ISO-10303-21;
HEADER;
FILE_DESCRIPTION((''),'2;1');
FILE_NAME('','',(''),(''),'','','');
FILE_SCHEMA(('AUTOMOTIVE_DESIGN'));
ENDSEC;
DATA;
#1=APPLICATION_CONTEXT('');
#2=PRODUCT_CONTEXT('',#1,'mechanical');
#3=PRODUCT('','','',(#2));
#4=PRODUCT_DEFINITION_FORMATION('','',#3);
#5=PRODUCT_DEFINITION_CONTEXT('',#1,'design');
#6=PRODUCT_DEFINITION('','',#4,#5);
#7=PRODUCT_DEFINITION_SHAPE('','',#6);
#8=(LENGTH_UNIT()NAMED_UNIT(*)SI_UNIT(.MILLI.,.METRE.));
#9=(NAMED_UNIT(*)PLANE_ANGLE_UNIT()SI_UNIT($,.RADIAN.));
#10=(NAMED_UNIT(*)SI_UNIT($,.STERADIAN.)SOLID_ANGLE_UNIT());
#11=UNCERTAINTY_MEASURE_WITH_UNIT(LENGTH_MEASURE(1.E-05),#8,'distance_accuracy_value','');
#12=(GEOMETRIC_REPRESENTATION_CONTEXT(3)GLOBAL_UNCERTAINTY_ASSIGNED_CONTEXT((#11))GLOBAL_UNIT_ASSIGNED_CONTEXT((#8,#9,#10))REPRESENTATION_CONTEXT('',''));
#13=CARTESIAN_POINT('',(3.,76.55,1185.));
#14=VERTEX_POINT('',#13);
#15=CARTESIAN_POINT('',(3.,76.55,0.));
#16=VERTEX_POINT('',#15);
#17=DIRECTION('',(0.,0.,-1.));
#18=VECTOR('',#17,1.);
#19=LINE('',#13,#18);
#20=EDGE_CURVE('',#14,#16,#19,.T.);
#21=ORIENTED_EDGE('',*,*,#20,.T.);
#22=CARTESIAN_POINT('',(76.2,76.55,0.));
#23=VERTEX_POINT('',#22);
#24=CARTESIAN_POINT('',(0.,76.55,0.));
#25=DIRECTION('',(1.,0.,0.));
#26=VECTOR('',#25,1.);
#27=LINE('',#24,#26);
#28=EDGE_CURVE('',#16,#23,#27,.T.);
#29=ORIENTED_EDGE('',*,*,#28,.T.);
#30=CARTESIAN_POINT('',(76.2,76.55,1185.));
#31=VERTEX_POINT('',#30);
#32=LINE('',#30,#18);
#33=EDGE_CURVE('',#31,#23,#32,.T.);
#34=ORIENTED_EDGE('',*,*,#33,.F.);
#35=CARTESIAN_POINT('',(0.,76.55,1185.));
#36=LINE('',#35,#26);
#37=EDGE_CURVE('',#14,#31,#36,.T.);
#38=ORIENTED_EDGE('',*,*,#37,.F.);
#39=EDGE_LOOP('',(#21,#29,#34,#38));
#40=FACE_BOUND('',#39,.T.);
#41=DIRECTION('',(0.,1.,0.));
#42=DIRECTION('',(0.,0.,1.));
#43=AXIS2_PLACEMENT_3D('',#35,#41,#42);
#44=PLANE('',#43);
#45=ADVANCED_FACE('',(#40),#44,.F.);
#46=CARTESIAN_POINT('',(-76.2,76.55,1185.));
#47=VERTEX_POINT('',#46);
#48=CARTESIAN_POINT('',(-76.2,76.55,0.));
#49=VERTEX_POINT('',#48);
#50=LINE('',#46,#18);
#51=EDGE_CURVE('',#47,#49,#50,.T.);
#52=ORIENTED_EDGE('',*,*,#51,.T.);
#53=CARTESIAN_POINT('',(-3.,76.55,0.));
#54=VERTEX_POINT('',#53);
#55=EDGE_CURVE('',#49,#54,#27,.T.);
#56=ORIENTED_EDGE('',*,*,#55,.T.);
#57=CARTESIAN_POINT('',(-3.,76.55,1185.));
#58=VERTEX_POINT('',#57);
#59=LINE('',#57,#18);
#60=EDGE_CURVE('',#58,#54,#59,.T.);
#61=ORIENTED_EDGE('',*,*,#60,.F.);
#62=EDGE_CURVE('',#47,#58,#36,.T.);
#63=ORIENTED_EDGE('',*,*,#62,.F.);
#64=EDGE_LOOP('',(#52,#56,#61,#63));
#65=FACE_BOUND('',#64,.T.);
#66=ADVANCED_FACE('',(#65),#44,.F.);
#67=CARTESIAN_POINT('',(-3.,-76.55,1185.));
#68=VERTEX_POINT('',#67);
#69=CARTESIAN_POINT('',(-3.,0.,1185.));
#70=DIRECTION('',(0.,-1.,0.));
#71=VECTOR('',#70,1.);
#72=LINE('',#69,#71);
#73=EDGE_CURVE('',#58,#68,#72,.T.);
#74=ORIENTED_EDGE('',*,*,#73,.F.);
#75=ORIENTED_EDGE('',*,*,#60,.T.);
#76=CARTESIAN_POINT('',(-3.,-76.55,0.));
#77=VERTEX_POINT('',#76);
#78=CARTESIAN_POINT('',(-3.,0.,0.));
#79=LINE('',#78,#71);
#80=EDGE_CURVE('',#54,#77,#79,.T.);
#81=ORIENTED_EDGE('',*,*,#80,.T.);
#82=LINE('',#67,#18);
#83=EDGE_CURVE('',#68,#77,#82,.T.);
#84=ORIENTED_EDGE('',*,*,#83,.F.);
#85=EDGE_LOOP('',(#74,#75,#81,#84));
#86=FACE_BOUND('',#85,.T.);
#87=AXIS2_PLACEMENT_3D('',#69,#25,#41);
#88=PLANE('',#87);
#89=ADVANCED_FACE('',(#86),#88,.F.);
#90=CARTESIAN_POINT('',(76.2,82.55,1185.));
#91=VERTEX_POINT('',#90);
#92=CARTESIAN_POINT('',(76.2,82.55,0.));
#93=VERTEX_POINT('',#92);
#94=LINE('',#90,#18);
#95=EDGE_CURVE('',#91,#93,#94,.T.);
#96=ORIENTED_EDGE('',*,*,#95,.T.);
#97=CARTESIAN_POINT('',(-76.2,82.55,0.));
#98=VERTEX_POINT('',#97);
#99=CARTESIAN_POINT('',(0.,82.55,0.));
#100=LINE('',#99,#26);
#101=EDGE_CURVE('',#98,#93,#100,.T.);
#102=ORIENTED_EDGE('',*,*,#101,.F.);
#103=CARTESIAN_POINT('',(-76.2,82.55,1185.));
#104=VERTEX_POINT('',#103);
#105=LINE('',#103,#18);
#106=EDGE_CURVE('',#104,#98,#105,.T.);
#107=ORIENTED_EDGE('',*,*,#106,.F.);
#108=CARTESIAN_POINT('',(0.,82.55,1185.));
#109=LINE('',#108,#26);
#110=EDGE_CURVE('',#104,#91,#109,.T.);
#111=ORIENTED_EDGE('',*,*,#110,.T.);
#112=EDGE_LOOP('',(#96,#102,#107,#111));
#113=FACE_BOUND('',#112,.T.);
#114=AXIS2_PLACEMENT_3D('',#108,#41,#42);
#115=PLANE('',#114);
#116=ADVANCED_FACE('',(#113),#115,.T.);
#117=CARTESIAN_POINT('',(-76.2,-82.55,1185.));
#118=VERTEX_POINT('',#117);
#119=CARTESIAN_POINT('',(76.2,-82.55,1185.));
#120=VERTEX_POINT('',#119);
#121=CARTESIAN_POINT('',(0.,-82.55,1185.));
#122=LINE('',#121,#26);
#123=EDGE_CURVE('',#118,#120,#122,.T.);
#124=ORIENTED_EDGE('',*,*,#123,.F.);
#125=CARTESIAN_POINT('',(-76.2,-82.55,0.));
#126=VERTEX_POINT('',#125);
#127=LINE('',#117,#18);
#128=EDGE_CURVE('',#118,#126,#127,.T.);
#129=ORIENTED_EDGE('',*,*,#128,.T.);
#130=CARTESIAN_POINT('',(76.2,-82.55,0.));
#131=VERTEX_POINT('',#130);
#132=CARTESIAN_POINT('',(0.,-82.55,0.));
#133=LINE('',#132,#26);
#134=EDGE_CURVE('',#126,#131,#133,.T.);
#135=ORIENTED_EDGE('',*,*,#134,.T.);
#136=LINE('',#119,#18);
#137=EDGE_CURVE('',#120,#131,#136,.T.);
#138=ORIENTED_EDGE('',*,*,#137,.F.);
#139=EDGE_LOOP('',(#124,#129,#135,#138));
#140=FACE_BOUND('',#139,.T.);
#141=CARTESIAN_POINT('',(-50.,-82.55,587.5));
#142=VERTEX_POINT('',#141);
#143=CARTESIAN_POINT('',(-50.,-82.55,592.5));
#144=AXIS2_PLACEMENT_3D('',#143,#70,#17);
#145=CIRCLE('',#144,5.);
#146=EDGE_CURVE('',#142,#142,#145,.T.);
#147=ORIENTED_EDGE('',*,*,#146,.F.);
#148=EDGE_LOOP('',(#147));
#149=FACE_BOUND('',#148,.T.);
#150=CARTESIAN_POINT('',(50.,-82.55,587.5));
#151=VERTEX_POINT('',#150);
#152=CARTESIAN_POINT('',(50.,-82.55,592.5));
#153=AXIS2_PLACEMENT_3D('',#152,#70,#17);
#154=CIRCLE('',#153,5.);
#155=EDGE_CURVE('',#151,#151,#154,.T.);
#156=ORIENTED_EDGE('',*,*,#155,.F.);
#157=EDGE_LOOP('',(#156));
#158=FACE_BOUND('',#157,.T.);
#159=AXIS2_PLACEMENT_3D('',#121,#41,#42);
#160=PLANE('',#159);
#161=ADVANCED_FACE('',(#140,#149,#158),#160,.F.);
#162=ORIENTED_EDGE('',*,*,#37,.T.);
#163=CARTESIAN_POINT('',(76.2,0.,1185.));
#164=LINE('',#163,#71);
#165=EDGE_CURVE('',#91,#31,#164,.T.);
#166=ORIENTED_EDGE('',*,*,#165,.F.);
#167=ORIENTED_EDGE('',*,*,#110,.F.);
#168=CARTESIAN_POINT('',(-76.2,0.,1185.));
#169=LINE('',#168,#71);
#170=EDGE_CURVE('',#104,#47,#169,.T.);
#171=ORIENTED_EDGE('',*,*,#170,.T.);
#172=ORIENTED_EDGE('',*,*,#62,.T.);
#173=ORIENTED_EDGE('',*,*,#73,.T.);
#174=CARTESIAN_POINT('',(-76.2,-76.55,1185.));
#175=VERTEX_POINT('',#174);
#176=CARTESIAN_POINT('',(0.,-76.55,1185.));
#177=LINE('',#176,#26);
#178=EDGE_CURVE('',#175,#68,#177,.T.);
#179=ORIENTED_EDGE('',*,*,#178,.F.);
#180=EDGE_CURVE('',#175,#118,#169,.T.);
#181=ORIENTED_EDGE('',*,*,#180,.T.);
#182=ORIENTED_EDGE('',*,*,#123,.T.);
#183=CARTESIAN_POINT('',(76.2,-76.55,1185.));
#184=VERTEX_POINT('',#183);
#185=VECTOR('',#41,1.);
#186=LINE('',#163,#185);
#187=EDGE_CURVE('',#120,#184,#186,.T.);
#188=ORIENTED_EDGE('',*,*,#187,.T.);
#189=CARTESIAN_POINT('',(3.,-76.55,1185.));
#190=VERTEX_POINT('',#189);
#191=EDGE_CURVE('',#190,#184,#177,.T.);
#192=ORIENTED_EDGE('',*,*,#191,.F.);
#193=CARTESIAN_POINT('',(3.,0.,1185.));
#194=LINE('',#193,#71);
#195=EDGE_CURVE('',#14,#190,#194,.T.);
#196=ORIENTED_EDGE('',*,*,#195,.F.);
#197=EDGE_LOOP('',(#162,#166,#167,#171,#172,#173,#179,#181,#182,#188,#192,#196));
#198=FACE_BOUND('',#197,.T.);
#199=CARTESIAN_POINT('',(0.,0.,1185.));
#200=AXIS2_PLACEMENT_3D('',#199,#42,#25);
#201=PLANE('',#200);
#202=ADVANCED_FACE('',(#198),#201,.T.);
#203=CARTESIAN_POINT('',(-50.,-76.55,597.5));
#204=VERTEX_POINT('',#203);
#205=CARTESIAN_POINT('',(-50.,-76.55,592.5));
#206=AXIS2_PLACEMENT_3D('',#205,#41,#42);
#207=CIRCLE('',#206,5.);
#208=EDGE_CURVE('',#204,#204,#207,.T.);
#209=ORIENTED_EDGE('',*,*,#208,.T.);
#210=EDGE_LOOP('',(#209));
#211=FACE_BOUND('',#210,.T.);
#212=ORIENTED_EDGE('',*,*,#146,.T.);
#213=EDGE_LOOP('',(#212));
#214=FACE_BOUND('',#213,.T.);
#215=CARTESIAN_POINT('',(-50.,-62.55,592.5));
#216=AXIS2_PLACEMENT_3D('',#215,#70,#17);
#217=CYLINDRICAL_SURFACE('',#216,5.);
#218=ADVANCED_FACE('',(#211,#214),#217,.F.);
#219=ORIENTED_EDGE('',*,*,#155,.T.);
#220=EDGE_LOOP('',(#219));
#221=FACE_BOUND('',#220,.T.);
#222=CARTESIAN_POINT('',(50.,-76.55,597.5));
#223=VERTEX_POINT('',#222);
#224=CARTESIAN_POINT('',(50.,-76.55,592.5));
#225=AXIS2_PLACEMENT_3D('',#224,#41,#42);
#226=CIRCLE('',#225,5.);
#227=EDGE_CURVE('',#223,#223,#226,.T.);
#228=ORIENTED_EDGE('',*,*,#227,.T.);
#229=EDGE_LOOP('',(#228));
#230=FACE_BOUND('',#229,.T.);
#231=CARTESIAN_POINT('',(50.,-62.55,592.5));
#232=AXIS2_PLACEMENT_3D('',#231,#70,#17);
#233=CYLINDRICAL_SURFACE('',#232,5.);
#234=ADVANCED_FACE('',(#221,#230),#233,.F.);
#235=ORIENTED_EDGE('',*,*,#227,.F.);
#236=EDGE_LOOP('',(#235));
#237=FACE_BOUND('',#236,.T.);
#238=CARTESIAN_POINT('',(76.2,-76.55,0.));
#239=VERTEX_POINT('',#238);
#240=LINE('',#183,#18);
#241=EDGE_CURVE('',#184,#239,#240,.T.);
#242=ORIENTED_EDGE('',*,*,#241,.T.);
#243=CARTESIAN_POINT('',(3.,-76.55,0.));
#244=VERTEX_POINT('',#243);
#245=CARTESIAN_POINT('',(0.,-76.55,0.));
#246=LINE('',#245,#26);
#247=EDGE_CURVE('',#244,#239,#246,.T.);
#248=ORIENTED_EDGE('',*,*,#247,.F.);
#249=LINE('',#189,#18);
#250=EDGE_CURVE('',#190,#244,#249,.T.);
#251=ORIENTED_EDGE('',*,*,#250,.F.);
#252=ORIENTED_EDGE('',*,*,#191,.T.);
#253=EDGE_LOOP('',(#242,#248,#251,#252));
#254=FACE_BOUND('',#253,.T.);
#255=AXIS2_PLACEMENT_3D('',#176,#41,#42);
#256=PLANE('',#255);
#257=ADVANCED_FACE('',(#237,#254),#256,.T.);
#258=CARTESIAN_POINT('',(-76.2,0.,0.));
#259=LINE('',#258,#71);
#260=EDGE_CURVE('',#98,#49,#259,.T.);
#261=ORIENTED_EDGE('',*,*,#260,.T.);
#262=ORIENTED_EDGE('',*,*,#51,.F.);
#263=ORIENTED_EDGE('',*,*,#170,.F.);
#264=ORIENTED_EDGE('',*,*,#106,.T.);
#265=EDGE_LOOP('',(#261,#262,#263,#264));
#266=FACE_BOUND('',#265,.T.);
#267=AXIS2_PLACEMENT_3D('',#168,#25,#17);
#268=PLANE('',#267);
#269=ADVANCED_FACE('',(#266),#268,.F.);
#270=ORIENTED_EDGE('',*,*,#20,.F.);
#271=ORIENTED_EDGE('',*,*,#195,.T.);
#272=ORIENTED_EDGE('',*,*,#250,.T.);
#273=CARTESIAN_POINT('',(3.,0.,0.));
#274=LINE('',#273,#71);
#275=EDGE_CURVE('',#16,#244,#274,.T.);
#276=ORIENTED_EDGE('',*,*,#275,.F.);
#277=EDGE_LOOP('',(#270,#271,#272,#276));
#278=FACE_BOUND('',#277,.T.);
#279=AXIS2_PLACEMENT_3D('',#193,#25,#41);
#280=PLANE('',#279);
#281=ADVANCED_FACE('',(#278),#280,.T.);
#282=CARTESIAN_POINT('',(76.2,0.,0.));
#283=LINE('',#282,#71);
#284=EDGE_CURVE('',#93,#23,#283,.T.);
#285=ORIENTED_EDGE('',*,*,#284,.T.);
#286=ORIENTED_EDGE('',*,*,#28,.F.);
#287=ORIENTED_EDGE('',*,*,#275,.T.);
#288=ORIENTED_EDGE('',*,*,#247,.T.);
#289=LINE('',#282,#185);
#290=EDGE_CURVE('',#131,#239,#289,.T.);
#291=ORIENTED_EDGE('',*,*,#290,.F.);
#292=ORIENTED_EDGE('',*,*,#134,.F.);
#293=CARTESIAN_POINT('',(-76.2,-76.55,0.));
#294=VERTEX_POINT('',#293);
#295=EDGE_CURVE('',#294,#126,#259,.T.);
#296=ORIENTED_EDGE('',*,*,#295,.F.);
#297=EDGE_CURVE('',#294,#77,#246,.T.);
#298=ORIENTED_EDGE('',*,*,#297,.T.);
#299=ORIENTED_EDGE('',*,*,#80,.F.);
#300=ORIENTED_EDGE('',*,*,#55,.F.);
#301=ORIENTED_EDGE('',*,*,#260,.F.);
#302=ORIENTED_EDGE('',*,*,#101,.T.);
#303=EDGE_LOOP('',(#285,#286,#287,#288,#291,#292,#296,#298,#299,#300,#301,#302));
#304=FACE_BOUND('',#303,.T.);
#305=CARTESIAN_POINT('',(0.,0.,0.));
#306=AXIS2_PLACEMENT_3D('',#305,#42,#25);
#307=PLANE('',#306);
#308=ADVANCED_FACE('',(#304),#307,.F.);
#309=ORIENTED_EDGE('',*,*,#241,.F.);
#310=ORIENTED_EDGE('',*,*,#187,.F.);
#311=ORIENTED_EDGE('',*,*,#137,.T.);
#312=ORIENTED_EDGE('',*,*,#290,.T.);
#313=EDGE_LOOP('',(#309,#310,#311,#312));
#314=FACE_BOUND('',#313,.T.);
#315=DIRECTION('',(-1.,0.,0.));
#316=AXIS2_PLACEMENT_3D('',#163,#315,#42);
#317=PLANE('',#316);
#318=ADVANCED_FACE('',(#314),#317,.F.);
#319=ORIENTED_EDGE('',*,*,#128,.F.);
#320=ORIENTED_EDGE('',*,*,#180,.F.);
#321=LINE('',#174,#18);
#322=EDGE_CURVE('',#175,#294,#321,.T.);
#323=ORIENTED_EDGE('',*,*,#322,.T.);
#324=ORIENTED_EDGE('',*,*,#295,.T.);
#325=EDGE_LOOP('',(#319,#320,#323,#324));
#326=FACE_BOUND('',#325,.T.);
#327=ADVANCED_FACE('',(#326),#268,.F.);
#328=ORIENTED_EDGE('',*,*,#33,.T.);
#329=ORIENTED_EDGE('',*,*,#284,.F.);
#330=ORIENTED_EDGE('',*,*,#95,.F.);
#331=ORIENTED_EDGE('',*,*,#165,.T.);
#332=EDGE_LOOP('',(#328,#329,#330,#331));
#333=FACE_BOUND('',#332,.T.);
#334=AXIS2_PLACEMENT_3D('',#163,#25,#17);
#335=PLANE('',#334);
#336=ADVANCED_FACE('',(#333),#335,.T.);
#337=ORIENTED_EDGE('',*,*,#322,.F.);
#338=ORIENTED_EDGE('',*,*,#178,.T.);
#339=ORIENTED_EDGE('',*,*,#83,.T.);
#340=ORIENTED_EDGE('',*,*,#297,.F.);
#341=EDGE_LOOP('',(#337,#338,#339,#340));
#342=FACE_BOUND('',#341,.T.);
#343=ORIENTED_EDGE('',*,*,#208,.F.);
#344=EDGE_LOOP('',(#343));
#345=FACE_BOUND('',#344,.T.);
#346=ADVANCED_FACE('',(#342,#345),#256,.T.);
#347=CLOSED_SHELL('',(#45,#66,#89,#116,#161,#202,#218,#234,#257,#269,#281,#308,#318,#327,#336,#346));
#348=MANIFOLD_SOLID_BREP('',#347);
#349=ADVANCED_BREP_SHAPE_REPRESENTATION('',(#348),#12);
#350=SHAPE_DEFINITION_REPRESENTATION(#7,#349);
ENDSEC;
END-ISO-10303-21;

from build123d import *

# Parameters (mm, degrees)
BOSS_EXTRUDE1_DEPTH = 1185
SKETCH3_R           = 5
CUT_EXTRUDE2_DEPTH  = 20


with BuildPart() as part:
    # Sketch1 → Boss-Extrude1 (new body)
    with BuildSketch(Plane.XY):
        Polygon((76.2, 82.55), (-76.2, 82.55), (-76.2, 76.55), (-3, 76.55), (-3, -76.55), (-76.2, -76.55), (-76.2, -82.55), (76.2, -82.55), (76.2, -76.55), (3, -76.55), (3, 76.55), (76.2, 76.55), align=None)
    extrude(amount=BOSS_EXTRUDE1_DEPTH)

    # Sketch3 → Cut-Extrude2 (cut)
    with BuildSketch(Plane.XZ.offset(82.55)):
        with Locations((-50, 592.5)):
            Circle(SKETCH3_R)
        with Locations((50, 592.5)):
            Circle(SKETCH3_R)
    extrude(amount=-CUT_EXTRUDE2_DEPTH, mode=Mode.SUBTRACT)


solid = part.part
